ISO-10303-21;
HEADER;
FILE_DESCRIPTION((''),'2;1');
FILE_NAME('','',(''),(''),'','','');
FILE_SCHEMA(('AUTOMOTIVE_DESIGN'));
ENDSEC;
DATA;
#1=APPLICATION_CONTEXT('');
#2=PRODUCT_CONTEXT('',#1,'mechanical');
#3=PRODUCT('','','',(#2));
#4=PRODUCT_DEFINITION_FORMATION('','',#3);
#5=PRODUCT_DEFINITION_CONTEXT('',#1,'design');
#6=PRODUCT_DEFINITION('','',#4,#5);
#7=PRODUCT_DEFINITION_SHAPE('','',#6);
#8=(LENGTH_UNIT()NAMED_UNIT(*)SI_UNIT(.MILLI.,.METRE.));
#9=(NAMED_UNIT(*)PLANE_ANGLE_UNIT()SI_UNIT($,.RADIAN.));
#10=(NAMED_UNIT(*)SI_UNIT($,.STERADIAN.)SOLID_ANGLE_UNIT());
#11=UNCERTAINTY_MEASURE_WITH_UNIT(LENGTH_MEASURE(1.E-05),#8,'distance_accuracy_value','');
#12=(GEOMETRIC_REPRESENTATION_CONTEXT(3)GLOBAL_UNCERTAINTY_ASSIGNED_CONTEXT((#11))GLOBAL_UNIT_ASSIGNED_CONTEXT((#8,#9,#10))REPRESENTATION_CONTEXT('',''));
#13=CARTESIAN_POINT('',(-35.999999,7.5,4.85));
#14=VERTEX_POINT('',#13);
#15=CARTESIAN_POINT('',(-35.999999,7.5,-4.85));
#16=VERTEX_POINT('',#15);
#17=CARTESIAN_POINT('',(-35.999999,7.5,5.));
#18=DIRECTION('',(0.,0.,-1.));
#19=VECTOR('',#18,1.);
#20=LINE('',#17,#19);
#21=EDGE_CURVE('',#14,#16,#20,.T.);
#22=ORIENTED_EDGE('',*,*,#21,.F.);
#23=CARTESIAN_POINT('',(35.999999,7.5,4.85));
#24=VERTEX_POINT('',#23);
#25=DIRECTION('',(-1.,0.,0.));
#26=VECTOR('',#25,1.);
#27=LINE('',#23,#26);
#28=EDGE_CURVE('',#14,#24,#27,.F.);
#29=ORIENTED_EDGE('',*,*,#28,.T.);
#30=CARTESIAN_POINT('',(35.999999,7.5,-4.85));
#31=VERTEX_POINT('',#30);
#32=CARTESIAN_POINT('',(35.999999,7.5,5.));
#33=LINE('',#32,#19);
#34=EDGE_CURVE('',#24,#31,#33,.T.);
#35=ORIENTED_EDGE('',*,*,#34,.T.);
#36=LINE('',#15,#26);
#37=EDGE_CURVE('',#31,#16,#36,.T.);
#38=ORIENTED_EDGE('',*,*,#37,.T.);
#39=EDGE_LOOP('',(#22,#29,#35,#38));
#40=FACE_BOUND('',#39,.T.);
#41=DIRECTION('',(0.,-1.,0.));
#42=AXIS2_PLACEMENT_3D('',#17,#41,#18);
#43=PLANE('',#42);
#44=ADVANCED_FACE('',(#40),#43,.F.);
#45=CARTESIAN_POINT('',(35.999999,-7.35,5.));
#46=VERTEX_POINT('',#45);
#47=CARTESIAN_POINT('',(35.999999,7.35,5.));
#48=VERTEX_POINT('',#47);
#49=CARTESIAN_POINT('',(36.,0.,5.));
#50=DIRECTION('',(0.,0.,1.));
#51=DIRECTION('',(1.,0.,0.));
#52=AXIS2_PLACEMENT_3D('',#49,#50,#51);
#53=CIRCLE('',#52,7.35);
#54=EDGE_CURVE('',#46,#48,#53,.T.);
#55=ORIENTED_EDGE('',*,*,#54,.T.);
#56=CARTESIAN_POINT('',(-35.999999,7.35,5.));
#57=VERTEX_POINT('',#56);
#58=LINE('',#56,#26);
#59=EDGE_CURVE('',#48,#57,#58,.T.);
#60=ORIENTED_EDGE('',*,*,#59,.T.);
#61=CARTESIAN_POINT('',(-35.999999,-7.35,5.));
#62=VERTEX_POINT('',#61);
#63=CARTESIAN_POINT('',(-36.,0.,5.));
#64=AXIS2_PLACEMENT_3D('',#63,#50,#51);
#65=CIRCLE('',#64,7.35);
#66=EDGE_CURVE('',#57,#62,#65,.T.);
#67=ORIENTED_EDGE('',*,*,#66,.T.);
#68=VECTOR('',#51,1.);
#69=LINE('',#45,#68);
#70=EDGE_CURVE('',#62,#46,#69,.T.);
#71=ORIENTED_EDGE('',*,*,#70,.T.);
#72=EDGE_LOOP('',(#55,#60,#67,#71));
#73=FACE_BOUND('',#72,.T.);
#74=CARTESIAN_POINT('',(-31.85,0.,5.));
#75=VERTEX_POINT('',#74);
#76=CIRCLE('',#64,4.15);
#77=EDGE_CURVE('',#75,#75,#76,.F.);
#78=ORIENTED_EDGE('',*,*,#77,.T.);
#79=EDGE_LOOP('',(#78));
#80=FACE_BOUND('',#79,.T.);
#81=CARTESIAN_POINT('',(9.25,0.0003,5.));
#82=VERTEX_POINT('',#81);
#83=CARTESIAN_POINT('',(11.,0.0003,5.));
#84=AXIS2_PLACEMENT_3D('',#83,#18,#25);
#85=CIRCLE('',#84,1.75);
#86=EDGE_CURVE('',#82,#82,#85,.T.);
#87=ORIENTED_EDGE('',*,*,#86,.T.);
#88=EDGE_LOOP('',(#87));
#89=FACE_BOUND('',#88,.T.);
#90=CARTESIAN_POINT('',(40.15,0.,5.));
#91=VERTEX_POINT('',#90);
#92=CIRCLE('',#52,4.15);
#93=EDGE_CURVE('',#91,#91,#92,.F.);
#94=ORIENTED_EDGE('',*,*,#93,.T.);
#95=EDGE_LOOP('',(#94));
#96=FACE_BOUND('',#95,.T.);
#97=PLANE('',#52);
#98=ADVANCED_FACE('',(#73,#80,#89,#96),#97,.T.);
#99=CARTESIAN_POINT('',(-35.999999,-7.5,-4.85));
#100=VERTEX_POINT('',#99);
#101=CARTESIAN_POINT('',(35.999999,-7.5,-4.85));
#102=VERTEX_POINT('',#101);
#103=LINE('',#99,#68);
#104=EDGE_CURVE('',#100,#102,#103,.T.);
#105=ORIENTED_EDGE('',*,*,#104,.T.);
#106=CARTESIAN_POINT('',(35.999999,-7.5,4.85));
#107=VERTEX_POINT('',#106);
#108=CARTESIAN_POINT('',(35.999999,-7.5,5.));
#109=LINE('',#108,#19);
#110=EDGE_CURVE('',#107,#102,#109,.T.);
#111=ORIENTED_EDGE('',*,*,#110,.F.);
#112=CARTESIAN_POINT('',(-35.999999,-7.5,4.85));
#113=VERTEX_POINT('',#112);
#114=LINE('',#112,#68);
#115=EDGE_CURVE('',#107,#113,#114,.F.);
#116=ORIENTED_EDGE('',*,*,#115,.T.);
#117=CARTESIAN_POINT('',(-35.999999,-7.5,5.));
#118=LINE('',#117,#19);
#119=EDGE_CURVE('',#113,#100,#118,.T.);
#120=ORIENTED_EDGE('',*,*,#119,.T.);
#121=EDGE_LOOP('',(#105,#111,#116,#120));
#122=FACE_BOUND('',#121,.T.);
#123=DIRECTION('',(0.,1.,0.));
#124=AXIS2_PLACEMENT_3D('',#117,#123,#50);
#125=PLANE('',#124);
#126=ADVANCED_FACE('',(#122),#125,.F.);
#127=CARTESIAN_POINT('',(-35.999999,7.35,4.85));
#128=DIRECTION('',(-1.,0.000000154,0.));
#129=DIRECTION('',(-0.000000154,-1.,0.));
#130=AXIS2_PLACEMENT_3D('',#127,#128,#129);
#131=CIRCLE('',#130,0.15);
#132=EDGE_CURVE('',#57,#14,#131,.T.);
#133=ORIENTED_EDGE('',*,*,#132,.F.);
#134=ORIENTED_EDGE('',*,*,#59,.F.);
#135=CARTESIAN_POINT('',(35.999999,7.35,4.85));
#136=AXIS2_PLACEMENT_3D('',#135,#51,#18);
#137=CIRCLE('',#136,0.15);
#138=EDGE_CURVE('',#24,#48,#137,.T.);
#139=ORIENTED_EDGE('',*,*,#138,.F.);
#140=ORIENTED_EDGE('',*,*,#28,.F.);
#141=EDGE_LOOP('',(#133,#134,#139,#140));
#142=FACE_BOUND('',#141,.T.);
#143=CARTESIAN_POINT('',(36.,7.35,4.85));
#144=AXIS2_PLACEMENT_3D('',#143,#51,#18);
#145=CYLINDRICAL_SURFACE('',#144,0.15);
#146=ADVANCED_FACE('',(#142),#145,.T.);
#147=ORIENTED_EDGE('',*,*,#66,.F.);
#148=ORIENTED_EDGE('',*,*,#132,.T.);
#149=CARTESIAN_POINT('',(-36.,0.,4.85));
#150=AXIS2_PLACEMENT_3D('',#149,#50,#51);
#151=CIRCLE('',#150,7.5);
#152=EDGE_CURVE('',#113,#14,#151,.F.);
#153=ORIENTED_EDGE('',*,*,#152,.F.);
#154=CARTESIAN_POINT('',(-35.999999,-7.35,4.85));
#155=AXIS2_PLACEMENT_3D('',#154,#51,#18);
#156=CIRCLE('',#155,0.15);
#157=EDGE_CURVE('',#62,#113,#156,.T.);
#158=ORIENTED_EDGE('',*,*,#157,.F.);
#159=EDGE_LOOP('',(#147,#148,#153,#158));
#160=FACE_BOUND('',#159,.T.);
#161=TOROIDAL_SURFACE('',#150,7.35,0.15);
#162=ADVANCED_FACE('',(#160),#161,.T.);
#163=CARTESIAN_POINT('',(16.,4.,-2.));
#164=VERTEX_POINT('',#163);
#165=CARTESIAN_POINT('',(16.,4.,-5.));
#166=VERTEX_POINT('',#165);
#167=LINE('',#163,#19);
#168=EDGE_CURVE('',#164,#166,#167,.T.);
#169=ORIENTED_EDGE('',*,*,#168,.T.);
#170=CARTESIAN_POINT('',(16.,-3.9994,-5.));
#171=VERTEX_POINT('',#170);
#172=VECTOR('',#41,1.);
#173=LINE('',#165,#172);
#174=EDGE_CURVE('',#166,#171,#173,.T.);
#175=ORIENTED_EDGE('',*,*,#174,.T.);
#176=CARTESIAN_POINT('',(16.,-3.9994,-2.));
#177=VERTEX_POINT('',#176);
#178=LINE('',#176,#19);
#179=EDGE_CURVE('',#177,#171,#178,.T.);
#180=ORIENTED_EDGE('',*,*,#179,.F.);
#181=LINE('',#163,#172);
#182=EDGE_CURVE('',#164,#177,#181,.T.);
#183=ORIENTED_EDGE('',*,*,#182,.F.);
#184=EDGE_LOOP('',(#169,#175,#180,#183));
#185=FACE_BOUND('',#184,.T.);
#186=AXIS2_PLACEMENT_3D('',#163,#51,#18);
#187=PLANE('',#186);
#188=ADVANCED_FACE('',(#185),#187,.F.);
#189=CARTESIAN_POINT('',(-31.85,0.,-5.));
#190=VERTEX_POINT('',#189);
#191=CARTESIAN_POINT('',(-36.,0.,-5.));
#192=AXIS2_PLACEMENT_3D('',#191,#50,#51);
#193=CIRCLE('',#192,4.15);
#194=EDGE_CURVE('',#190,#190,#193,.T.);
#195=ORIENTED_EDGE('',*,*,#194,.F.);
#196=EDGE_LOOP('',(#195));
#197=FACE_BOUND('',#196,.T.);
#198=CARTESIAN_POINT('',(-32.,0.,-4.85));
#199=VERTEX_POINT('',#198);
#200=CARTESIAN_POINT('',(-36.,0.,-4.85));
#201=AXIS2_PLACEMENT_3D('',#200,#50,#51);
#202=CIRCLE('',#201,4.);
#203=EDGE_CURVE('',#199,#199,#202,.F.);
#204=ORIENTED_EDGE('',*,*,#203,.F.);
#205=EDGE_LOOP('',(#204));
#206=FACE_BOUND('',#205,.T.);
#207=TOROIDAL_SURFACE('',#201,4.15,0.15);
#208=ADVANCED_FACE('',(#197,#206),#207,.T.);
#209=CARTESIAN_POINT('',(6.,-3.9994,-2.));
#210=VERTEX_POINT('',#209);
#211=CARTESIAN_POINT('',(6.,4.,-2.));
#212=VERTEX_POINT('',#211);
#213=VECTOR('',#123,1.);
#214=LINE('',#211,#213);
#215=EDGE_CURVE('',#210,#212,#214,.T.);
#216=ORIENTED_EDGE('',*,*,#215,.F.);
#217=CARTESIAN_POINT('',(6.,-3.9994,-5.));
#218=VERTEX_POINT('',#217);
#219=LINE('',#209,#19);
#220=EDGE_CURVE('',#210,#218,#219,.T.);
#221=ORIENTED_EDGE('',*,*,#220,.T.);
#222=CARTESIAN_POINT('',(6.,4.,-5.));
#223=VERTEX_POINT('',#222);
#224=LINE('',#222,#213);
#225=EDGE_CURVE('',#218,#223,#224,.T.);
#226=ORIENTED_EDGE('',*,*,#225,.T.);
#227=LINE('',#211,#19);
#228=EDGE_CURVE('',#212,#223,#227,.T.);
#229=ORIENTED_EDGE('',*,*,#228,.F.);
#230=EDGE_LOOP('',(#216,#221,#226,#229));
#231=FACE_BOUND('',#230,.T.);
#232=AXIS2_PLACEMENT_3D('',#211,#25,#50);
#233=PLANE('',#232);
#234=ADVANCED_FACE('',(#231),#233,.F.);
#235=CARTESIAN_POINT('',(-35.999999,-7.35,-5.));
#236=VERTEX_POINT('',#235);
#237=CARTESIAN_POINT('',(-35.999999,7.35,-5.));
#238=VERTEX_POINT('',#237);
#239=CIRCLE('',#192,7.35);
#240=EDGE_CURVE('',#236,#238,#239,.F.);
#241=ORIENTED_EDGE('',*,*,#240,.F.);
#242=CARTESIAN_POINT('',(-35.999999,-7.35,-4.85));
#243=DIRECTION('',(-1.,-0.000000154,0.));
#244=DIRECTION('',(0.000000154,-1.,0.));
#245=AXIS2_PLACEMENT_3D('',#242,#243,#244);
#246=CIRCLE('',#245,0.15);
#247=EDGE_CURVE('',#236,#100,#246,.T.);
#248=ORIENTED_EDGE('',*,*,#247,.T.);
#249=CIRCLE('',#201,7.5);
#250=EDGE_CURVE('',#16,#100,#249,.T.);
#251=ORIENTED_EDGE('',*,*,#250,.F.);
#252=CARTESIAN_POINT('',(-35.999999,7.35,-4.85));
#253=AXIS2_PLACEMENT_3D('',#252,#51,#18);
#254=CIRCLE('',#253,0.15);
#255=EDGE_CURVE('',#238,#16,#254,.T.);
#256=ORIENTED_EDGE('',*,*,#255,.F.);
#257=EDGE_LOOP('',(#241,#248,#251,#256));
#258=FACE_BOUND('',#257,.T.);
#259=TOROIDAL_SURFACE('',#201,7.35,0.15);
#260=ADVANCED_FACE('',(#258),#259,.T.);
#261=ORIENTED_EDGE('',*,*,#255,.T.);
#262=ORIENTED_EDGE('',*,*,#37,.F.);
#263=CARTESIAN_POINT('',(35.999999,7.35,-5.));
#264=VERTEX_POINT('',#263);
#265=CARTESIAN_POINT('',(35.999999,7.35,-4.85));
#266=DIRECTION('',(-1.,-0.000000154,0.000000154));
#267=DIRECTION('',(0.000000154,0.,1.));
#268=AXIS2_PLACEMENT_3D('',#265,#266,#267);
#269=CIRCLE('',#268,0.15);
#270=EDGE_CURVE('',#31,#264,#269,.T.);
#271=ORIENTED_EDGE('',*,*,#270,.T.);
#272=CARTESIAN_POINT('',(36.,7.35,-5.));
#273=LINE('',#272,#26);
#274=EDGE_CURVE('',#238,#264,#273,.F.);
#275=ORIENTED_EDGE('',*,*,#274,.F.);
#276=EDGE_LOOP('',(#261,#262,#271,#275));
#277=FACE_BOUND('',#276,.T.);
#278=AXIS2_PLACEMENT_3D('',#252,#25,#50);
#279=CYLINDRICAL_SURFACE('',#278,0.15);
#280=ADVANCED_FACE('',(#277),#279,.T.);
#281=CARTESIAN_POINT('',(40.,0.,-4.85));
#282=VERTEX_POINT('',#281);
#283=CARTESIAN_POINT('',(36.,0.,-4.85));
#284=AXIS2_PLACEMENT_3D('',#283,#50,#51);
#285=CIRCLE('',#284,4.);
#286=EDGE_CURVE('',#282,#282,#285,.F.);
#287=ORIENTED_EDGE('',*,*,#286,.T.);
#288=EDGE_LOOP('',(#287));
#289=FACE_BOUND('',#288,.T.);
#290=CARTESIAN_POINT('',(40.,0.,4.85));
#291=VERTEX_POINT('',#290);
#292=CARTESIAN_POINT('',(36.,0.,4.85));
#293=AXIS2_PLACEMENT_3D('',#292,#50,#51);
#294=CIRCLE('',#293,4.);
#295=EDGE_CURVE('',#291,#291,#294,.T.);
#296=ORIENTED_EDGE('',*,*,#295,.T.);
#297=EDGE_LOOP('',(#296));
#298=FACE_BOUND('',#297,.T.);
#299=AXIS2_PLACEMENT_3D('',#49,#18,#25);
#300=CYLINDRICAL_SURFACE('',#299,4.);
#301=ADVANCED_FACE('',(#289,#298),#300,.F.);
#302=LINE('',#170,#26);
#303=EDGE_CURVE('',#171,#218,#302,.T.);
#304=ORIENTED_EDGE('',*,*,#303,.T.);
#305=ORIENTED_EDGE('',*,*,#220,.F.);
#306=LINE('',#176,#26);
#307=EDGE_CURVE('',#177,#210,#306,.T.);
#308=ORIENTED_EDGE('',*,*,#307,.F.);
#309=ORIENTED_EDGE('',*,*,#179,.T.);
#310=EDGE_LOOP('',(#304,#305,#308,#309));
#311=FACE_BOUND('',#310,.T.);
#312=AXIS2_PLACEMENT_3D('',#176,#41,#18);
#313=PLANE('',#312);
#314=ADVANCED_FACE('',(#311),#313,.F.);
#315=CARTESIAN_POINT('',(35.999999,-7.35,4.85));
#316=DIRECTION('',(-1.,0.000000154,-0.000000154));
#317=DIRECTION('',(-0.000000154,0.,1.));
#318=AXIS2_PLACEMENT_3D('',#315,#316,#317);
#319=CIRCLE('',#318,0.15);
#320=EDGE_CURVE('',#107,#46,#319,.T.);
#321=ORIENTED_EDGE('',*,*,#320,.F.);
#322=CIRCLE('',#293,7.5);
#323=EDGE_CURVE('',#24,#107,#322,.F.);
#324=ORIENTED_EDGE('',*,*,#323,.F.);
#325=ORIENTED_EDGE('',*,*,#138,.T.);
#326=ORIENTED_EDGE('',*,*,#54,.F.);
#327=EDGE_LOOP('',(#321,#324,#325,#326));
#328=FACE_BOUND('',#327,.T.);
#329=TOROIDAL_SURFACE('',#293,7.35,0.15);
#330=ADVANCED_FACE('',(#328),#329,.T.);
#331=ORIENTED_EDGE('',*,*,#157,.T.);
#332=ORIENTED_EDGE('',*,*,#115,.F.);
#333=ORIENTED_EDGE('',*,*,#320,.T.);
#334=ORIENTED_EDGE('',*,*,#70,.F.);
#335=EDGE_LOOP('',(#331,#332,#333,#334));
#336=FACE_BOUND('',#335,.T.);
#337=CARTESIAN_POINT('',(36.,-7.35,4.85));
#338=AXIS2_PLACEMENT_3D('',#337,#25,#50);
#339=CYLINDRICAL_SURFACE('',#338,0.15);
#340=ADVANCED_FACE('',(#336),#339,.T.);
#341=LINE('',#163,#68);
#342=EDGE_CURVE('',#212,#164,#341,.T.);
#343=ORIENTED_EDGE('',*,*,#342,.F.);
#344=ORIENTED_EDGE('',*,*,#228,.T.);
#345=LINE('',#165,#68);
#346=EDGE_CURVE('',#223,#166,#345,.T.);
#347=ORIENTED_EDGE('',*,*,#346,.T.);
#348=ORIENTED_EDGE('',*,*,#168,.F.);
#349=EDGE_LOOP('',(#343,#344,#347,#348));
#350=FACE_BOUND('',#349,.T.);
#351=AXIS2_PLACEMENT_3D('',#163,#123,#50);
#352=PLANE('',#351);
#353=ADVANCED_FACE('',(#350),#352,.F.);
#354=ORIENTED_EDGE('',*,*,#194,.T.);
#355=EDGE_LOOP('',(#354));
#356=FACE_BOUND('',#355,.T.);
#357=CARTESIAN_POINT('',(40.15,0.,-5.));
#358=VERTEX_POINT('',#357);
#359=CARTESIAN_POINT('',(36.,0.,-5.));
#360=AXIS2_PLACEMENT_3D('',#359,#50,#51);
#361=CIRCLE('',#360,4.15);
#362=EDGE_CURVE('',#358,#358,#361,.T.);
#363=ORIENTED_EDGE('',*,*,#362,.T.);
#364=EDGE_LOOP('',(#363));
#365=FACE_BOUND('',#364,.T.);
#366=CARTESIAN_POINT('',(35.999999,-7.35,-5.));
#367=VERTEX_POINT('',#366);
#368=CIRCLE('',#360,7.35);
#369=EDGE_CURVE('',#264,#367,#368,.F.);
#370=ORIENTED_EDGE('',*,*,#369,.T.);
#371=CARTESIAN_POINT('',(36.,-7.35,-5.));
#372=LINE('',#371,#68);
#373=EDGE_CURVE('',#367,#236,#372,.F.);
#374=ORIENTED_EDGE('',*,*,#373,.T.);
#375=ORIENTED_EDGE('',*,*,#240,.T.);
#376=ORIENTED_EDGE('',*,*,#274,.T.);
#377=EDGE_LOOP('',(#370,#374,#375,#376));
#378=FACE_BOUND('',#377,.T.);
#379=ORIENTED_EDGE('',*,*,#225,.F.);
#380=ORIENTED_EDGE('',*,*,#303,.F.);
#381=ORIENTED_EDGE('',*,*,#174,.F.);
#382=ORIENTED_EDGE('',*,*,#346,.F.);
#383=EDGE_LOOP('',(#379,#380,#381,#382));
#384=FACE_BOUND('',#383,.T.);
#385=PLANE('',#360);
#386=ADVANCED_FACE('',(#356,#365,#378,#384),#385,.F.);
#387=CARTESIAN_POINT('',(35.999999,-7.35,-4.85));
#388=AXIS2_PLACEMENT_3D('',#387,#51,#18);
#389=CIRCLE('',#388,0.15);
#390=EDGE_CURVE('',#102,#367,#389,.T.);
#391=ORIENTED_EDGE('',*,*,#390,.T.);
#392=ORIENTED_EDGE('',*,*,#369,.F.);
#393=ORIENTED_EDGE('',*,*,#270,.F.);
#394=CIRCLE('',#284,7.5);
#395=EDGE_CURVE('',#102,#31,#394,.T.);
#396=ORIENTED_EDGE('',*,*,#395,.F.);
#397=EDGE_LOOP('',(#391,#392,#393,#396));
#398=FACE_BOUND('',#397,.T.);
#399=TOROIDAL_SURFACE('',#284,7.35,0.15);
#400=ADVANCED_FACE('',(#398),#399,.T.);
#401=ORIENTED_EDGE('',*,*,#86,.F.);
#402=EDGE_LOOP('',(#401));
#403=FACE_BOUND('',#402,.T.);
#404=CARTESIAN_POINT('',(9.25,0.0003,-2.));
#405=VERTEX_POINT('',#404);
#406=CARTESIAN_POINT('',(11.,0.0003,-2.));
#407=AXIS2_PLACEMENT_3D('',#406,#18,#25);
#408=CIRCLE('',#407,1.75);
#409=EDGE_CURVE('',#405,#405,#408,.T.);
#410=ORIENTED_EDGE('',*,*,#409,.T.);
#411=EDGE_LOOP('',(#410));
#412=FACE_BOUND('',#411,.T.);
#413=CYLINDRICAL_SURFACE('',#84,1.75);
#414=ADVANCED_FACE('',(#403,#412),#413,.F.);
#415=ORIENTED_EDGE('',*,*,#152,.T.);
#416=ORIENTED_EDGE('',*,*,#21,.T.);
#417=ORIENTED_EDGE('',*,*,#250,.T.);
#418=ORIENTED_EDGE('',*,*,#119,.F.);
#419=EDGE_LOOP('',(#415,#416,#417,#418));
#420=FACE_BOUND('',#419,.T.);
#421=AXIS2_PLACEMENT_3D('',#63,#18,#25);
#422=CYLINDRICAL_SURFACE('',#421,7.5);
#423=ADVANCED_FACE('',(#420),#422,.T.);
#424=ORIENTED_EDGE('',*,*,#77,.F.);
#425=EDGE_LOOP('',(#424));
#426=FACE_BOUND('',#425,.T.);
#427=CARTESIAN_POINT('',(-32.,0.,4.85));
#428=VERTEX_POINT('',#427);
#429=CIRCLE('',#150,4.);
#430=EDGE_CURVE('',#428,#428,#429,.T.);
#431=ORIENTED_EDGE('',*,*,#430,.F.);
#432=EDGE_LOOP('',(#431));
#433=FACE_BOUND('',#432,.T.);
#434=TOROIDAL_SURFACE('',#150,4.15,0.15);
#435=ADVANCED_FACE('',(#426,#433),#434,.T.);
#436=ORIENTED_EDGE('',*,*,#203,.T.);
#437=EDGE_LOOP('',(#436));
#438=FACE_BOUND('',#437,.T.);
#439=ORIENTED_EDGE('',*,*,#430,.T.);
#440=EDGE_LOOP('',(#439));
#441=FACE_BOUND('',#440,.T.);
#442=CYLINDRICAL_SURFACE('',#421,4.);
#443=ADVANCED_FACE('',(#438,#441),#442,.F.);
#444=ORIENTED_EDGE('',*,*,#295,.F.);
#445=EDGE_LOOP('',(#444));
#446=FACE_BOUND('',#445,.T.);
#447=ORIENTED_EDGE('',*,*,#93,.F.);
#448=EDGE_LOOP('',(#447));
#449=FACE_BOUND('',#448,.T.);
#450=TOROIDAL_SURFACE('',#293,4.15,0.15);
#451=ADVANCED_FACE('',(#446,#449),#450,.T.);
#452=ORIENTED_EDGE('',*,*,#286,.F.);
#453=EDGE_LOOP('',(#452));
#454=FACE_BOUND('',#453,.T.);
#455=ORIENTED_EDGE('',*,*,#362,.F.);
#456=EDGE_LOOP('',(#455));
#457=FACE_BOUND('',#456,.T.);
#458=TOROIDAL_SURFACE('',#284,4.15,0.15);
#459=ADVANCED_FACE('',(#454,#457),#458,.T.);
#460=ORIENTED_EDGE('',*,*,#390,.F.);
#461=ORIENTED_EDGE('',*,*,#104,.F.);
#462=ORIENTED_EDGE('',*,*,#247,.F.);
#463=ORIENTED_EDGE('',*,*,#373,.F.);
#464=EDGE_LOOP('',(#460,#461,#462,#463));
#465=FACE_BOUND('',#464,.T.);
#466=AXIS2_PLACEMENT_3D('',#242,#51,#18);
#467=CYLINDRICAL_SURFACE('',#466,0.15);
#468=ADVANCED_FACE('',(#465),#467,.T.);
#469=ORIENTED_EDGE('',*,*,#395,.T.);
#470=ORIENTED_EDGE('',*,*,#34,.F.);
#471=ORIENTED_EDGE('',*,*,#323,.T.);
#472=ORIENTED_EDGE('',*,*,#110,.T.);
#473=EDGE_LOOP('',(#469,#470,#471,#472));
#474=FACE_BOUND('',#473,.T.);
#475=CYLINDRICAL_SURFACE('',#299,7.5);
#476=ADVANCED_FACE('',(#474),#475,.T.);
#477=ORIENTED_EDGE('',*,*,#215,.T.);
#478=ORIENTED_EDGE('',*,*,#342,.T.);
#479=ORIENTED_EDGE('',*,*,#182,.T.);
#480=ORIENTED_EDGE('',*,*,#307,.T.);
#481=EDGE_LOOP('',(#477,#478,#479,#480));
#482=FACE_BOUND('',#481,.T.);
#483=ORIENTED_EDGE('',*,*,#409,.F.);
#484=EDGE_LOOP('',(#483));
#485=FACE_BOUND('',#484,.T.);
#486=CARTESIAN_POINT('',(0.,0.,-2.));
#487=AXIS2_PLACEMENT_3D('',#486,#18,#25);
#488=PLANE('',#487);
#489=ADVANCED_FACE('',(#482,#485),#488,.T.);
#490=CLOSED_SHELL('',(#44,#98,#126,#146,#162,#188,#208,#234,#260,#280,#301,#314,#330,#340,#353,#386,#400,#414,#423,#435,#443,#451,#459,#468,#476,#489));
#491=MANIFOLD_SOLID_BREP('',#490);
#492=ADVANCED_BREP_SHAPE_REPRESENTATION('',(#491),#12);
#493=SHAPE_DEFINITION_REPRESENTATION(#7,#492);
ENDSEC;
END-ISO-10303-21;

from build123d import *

# Parameters (mm, degrees)
SKETCH1_R           = 4
BOSS_EXTRUDE1_DEPTH = 5
FILLET2_R           = 0.15
SKETCH2_W           = 10
SKETCH2_H           = 7.9994
CUT_EXTRUDE1_DEPTH  = 3
SKETCH3_R           = 1.75
CUT_EXTRUDE2_DEPTH  = 45.69339996


with BuildPart() as part:
    # Sketch1 → Boss-Extrude1 (new, symmetric)
    with BuildSketch(Plane.XY):
        with BuildLine():
            Line((-35.999998845, 7.5), (35.999998845, 7.5))
            ThreePointArc((35.999998845, 7.5), (43.5, 0), (35.999998845, -7.5))
            Line((35.999998845, -7.5), (-35.999998845, -7.5))
            ThreePointArc((-35.999998845, -7.5), (-43.5, 0), (-35.999998845, 7.5))
        make_face()
        with Locations((-36, 0)):
            Circle(SKETCH1_R, mode=Mode.SUBTRACT)
        with Locations((36, 0)):
            Circle(SKETCH1_R, mode=Mode.SUBTRACT)
    extrude(amount=BOSS_EXTRUDE1_DEPTH, both=True)

    # Fillet2
    fillet2_edges = [part.edges().sort_by_distance(p)[0] for p in [
        (-40, 0, -5),
        (-40, 0, 5),
        (-43.5, 0, 5),
        (32, 0, -5),
        (32, 0, 5),
        (0, -7.5, 5),
        (43.5, 0, 5),
        (0, -7.5, -5),
        (-43.5, 0, -5),
        (0, 7.5, -5),
        (43.5, 0, -5),
        (0, 7.5, 5),
    ]]
    fillet(fillet2_edges, radius=FILLET2_R)

    # Sketch2 → Cut-Extrude1 (cut)
    with BuildSketch(Plane(origin=(0, 0, -5), x_dir=(-1, 0, 0), z_dir=(0, 0, -1))):
        with Locations((-11, 0.0003)):
            Rectangle(SKETCH2_W, SKETCH2_H)
    extrude(amount=-CUT_EXTRUDE1_DEPTH, mode=Mode.SUBTRACT)

    # Sketch3 → Cut-Extrude2 (cut, through all)
    with BuildSketch(Plane(origin=(0, 0, -2), x_dir=(-1, 0, 0), z_dir=(0, 0, -1))):
        with Locations((-11, 0.0003)):
            Circle(SKETCH3_R)
    extrude(amount=-CUT_EXTRUDE2_DEPTH, mode=Mode.SUBTRACT)


solid = part.part
